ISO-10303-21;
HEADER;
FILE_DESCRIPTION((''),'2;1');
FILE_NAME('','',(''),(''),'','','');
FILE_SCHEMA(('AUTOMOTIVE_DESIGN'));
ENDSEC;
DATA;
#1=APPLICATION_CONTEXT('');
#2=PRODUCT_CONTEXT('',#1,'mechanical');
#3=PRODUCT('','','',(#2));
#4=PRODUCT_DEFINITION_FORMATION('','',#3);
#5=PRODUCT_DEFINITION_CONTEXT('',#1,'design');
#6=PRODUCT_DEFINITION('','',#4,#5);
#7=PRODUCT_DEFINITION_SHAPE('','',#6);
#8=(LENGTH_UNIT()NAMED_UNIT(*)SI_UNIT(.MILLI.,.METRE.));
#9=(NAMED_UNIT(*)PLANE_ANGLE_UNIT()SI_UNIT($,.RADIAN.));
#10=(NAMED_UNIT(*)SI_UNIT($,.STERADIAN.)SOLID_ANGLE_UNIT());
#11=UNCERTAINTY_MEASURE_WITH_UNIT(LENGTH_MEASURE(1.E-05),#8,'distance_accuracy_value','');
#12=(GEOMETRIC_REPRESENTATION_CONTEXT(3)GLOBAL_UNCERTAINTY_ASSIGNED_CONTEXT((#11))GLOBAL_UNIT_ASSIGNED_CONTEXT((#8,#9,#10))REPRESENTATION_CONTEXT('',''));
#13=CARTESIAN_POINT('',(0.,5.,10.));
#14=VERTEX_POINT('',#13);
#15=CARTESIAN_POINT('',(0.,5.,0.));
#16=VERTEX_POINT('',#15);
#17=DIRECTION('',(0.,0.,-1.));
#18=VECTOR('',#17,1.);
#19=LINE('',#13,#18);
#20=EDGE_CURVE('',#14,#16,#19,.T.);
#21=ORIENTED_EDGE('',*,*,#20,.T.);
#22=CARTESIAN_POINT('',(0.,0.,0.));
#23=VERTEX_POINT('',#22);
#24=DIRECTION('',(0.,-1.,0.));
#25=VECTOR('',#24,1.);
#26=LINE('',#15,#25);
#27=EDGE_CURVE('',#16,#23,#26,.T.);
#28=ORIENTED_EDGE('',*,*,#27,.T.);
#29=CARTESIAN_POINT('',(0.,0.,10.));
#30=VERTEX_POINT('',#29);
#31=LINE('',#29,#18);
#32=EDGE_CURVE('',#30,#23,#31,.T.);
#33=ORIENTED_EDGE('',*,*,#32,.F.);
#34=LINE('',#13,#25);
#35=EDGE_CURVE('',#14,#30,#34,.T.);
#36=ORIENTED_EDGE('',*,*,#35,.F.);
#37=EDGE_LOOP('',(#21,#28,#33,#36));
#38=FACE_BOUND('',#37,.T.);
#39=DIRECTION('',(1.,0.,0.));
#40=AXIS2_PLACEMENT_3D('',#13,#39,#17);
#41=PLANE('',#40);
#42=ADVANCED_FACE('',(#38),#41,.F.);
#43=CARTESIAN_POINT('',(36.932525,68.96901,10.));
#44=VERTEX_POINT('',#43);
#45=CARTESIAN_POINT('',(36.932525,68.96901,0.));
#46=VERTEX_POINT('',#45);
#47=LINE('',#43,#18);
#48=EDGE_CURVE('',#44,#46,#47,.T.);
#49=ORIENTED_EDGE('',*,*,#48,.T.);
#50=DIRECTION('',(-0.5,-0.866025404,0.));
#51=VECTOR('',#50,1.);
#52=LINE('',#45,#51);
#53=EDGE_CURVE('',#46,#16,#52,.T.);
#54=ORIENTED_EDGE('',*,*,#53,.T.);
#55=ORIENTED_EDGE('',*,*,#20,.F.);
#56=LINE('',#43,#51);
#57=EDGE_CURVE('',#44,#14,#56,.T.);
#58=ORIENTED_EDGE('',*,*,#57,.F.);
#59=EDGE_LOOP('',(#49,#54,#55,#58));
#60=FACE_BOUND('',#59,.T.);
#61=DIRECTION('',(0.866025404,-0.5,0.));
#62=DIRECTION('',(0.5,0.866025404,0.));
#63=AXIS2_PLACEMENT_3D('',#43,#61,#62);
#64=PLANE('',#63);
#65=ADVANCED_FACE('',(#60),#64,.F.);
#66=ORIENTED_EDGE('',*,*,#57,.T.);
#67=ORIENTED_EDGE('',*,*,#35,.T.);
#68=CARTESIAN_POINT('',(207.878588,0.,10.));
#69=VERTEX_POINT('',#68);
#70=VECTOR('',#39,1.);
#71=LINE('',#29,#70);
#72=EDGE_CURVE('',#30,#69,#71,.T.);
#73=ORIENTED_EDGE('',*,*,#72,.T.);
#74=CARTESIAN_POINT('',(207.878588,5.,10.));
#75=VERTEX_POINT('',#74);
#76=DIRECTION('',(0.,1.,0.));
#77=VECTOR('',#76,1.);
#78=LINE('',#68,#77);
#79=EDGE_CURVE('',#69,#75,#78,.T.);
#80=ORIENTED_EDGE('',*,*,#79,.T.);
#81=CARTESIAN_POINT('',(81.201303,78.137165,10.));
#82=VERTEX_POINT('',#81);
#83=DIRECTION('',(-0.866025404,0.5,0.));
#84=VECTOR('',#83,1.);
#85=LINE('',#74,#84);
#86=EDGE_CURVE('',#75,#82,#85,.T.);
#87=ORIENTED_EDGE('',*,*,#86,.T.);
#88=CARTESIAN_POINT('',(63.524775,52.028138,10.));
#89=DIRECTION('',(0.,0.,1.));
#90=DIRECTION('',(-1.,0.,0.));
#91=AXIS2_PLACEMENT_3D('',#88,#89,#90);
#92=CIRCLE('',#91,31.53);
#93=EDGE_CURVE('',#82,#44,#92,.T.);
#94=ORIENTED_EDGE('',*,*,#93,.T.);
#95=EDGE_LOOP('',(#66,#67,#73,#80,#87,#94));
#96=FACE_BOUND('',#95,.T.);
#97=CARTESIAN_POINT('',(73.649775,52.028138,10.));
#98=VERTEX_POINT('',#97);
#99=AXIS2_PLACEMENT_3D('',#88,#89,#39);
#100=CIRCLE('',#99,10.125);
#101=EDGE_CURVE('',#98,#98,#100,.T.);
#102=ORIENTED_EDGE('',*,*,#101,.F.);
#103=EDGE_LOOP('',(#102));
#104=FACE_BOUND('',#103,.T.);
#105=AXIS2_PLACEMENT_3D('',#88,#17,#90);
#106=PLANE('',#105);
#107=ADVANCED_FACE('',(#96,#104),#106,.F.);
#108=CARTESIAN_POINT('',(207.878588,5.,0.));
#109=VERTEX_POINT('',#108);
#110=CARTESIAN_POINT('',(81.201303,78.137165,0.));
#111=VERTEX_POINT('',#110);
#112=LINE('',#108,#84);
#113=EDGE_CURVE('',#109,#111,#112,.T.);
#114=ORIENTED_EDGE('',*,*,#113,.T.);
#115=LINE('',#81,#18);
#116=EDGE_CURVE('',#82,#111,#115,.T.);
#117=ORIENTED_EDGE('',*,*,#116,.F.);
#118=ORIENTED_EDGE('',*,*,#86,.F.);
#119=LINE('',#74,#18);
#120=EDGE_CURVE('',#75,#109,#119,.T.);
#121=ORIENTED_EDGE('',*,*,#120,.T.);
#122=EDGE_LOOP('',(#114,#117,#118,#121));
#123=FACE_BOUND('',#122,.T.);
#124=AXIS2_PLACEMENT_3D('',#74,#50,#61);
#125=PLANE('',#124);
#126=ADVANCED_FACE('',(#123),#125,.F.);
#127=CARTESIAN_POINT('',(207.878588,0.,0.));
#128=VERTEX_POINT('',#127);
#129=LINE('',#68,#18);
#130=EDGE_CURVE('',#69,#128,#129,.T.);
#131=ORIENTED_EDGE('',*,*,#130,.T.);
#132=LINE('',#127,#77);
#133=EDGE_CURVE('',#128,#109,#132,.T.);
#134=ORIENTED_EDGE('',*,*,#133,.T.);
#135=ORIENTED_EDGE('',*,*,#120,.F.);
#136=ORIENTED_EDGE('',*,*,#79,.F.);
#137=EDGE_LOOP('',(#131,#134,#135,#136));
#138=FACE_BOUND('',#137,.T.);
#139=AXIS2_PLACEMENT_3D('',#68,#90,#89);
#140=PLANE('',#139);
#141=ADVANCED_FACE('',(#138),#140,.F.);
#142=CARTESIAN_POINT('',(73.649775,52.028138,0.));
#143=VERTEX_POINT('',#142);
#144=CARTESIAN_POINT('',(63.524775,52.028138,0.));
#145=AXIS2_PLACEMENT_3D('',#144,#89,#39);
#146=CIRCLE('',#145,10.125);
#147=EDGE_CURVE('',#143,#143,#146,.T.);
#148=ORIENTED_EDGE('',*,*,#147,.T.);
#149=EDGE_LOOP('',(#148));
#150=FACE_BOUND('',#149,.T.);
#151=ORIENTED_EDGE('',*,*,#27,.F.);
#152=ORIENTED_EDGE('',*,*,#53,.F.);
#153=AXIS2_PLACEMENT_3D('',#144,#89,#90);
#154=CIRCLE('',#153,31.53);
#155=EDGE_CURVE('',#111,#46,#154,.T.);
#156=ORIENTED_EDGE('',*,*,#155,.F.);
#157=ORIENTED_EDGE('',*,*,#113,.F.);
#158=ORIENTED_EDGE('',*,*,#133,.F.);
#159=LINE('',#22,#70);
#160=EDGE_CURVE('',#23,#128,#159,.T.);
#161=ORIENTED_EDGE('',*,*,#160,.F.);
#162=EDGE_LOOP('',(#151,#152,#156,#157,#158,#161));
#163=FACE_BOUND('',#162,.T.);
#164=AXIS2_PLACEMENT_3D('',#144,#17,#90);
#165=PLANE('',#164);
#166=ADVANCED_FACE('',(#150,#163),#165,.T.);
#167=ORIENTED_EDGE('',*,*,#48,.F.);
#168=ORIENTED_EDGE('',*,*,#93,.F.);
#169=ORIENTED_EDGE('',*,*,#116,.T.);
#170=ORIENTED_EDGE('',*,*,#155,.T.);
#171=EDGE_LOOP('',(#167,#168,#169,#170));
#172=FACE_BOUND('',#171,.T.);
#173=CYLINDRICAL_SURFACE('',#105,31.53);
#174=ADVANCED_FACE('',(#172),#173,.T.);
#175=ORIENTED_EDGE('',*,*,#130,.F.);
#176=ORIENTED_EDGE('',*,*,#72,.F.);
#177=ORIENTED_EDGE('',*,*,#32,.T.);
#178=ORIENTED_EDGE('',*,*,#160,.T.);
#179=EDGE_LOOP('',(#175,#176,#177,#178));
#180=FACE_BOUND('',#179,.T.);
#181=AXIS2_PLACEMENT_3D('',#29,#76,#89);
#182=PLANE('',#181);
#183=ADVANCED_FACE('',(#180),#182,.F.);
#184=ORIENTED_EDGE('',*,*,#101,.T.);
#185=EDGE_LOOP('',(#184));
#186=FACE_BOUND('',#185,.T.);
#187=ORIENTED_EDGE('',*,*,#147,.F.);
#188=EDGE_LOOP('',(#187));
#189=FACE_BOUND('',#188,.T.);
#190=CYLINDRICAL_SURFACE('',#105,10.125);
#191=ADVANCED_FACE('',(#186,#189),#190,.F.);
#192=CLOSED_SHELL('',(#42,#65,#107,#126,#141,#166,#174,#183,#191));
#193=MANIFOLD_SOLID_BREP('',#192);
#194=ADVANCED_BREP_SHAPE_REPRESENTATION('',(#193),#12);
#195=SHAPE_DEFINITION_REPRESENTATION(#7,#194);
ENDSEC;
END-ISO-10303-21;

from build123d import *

# Parameters (mm, degrees)
ESQUISSE1_R        = 10.125
BOSS_EXTRU_1_DEPTH = 10


with BuildPart() as part:
    # Esquisse1 → Boss.-Extru.1 (new body)
    with BuildSketch(Plane.XY):
        with BuildLine():
            Line((0, 0), (207.878588044, 0))
            Line((207.878588044, 0), (207.878588044, 5))
            Line((207.878588044, 5), (81.20130317, 78.137164522))
            ThreePointArc((81.20130317, 78.137164522), (57.130536246, 82.902959743), (36.932524958, 68.969009678))
            Line((36.932524958, 68.969009678), (0, 5))
            Line((0, 5), (0, 0))
        make_face()
        with Locations((63.524775179, 52.028138149)):
            Circle(ESQUISSE1_R, mode=Mode.SUBTRACT)
    extrude(amount=BOSS_EXTRU_1_DEPTH)


solid = part.part
